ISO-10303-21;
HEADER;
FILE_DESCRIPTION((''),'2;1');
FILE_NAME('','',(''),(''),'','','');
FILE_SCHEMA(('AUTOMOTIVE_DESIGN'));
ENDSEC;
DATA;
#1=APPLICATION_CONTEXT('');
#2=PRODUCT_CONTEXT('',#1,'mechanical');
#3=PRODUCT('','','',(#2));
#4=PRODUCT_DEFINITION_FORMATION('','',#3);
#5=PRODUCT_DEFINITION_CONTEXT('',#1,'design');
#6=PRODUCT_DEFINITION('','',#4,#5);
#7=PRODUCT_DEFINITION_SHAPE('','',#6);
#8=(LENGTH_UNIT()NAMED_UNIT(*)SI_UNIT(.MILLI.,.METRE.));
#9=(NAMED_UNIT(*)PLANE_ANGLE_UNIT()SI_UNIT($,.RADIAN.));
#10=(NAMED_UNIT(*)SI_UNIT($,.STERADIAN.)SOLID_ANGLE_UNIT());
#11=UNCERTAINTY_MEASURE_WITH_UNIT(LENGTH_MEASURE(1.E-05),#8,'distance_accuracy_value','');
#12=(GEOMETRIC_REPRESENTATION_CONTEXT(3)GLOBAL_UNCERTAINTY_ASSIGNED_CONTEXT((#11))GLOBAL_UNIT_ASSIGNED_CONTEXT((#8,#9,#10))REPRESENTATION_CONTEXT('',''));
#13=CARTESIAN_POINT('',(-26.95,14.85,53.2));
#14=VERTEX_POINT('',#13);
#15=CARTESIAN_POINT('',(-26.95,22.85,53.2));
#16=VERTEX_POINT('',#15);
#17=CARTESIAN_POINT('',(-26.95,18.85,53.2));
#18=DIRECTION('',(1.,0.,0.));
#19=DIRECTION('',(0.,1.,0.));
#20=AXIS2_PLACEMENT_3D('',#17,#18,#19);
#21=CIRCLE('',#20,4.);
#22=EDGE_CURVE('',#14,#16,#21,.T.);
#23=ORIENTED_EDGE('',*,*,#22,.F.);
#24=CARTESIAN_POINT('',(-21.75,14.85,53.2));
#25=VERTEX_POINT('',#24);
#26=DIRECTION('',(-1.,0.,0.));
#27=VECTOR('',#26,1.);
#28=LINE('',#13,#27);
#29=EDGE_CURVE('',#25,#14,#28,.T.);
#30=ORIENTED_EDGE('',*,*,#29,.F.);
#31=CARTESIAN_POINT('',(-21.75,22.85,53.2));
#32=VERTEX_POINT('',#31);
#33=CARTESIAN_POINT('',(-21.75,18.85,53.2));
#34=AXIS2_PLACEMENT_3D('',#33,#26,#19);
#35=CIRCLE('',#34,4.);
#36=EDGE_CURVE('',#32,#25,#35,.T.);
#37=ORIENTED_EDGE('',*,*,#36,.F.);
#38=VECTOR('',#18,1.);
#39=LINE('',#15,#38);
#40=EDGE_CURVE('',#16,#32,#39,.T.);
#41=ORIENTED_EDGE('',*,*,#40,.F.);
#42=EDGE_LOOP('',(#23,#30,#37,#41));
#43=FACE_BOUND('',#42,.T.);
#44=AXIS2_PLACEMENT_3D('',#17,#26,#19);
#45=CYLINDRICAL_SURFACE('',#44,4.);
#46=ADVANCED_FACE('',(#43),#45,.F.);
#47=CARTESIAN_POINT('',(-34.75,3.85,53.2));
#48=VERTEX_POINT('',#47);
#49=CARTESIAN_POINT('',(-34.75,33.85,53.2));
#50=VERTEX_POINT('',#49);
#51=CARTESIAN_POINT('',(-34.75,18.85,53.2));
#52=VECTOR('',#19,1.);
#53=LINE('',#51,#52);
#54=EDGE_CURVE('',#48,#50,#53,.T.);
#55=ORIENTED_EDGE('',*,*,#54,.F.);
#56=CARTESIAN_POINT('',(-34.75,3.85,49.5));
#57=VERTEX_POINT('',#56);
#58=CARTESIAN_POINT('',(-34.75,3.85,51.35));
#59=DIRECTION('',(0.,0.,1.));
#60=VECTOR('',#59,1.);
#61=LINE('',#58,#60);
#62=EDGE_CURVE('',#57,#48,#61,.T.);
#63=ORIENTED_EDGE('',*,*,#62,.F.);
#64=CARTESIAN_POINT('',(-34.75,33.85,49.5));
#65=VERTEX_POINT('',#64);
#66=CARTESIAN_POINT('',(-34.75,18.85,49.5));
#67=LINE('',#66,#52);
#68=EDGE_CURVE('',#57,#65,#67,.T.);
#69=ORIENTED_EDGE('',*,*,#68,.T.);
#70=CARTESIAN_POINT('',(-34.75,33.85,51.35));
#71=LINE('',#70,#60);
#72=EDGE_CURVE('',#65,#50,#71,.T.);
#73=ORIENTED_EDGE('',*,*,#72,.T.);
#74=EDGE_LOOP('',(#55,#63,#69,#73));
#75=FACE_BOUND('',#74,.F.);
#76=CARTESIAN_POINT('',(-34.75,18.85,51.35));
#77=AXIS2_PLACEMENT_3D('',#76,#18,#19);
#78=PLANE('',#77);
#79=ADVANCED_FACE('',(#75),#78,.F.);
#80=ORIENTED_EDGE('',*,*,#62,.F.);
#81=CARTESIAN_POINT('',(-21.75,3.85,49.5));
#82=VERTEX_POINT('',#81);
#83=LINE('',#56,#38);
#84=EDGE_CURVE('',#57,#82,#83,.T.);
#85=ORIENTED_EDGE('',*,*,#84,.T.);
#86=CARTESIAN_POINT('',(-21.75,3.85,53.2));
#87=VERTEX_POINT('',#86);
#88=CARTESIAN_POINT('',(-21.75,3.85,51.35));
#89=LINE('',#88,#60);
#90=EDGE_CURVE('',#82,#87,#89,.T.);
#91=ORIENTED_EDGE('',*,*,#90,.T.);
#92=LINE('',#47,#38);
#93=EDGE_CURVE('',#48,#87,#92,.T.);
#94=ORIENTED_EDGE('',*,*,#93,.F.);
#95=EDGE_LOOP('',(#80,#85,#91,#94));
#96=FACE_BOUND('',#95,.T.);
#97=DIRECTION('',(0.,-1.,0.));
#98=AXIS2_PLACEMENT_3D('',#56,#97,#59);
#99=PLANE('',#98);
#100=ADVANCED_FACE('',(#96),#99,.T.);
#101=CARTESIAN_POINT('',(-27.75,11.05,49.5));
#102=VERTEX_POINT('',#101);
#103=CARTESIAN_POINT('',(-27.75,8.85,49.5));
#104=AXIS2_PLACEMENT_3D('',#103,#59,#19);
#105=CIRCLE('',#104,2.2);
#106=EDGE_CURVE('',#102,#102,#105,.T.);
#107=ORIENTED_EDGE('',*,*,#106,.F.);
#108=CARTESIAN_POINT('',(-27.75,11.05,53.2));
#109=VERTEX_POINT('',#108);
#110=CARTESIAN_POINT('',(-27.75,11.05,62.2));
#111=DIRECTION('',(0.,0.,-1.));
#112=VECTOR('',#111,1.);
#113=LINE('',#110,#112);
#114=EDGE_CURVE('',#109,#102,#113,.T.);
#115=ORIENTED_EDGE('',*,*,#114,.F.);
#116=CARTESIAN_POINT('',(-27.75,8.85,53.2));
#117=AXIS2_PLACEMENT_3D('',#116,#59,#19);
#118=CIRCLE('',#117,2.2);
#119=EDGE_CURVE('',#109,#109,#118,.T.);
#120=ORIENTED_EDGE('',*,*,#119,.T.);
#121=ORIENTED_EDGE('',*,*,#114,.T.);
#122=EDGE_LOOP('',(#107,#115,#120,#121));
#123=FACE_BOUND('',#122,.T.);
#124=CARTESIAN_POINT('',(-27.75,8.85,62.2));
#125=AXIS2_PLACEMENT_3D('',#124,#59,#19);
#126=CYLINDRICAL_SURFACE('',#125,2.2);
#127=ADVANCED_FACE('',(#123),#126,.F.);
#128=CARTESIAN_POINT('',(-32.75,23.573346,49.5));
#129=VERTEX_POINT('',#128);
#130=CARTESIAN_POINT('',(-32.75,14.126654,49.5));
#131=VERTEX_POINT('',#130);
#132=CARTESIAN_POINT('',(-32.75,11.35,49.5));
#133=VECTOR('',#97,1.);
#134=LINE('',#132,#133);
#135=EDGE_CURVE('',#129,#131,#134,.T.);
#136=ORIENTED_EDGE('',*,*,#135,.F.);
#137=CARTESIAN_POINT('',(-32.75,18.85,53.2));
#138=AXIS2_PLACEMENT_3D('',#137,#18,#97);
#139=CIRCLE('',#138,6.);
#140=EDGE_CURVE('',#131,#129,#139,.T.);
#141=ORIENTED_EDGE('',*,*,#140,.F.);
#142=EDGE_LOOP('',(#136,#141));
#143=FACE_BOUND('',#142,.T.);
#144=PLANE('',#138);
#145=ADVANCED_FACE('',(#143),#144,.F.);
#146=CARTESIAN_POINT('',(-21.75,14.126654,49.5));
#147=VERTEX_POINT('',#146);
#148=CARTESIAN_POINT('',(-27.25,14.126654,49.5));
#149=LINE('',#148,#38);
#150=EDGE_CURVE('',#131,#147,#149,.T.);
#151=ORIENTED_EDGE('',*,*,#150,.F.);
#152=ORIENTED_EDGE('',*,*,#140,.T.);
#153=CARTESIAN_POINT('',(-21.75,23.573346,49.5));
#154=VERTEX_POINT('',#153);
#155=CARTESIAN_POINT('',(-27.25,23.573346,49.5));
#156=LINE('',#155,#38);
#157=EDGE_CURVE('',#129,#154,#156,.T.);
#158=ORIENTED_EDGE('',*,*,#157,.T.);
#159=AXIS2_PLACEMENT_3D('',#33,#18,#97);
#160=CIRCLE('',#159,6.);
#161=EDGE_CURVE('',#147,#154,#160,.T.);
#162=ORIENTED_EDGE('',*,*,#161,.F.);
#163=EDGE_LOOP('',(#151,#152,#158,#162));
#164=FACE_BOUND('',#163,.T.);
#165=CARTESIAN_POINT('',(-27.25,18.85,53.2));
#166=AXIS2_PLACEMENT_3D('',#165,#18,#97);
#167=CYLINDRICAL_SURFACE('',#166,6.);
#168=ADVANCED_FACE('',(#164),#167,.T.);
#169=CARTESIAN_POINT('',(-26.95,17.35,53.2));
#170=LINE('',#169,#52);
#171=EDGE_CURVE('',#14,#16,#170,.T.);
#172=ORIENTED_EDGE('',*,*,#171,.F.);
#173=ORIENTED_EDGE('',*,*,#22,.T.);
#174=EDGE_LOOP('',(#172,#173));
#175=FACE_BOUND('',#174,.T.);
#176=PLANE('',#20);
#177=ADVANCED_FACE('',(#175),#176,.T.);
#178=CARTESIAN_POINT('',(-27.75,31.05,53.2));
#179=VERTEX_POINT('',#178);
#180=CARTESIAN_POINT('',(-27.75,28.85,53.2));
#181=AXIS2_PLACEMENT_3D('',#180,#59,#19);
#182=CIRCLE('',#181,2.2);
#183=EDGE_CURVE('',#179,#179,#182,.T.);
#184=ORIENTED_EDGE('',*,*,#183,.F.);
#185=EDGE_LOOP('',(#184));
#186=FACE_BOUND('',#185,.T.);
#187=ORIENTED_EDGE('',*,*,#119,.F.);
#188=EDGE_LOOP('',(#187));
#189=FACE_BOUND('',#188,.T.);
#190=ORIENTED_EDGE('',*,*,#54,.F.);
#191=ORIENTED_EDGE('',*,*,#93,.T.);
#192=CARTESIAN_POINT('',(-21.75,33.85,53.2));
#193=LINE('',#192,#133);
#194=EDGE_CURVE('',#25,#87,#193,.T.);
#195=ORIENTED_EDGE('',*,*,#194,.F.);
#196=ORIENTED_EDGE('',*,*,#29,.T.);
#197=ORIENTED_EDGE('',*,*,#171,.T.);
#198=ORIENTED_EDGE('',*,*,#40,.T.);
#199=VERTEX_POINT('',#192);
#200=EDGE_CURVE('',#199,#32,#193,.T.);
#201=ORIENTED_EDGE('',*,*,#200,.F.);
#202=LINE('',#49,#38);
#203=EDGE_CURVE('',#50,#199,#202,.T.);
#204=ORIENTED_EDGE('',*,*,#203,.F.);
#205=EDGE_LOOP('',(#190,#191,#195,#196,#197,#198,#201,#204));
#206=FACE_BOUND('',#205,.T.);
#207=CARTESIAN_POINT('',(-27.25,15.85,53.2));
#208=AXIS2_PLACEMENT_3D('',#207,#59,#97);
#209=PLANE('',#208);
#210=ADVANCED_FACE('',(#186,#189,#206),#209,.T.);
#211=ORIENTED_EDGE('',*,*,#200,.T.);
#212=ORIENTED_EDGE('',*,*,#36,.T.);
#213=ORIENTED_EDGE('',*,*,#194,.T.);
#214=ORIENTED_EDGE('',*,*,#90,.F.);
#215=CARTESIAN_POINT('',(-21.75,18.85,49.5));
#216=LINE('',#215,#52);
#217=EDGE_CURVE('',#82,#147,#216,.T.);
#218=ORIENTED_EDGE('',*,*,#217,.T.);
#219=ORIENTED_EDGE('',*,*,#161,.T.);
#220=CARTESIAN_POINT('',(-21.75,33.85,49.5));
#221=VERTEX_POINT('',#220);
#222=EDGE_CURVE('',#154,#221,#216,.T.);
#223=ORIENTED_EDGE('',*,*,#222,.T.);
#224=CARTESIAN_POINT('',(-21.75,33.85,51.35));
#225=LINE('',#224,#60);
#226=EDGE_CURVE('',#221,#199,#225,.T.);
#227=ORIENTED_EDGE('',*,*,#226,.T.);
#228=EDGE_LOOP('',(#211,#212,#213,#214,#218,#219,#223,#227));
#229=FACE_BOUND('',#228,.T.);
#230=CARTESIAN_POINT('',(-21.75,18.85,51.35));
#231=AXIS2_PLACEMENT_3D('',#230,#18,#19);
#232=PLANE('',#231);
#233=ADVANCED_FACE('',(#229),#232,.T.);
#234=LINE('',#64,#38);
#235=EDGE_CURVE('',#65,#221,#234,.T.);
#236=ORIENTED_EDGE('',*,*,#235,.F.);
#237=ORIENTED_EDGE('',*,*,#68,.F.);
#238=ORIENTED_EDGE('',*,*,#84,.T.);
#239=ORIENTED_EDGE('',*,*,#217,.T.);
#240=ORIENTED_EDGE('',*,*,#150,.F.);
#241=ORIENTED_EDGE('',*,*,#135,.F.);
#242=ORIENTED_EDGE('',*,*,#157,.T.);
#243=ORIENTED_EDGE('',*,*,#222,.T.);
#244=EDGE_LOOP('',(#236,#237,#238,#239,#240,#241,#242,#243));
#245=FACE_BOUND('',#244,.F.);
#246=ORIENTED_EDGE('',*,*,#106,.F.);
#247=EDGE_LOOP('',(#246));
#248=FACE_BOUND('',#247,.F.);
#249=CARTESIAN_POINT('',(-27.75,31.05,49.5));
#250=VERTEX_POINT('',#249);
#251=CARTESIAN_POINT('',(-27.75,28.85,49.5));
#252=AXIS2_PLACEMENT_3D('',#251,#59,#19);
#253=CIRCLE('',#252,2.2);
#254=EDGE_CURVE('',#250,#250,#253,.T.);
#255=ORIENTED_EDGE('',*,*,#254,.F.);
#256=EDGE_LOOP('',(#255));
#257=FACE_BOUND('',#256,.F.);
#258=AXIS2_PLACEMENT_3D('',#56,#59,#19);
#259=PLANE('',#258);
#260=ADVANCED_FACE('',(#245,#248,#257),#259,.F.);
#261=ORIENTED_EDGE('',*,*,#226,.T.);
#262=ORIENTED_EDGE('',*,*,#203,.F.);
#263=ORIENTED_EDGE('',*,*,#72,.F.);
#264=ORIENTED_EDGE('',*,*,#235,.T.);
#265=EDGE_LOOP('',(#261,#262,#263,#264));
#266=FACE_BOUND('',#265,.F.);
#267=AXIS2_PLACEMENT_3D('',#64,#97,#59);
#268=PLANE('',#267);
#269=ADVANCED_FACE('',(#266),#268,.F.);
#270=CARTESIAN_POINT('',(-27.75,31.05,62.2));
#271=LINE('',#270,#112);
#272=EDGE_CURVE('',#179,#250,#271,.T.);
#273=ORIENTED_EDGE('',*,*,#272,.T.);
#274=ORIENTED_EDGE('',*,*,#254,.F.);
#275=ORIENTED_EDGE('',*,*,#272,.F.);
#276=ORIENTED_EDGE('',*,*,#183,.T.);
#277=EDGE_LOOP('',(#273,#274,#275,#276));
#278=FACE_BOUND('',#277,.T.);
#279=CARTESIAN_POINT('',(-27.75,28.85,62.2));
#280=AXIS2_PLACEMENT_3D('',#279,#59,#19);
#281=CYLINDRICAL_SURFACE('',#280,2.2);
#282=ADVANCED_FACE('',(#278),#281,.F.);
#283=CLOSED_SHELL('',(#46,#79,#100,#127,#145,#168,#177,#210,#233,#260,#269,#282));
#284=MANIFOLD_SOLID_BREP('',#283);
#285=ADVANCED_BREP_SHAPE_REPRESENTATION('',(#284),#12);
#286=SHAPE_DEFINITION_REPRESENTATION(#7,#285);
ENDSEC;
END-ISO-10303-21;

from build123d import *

# Parameters (mm, degrees)
CYLINDER073_R          = 2.2
CYLINDER073_DEPTH      = 20
CYLINDER074_R          = 2.2
CYLINDER074_DEPTH      = 20
CYLINDER072_R          = 4
CYLINDER072_DEPTH      = 6.5
CYLINDER071_W          = 6
CYLINDER071_H          = 11
CYLINDER071_ANGLE      = 180
BOX054_W               = 30
BOX054_H               = 3.7
BOX054_DEPTH           = 13
CUT083_ROLL_ANGLE      = 90
CUT083_PLACEMENT_ANGLE = 90


with BuildPart() as zylinder062:
    # Cylinder073 → Cylinder073 (new body)
    with BuildSketch(Plane(origin=(-10, 9, 5), x_dir=(1, 0, 0), z_dir=(0, -1, 0))):
        Circle(CYLINDER073_R)
    extrude(amount=CYLINDER073_DEPTH)


with BuildPart() as zylinder063:
    # Cylinder074 → Cylinder074 (new body)
    with BuildSketch(Plane(origin=(10, 9, 5), x_dir=(1, 0, 0), z_dir=(0, -1, 0))):
        Circle(CYLINDER074_R)
    extrude(amount=CYLINDER074_DEPTH)


with BuildPart() as zylinder061:
    # Cylinder072 → Cylinder072 (new body)
    with BuildSketch(Plane.XY.offset(5.8)):
        Circle(CYLINDER072_R)
    extrude(amount=CYLINDER072_DEPTH)


with BuildPart() as zylinder060:
    # Cylinder071 → Cylinder071 (revolve)
    with BuildSketch(Plane(origin=(0, 0, 0), x_dir=(-1, 0, 0), z_dir=(0, 1, 0))):
        with Locations((3, 5.5)):
            Rectangle(CYLINDER071_W, CYLINDER071_H)
    revolve(axis=Axis((0, 0, 0), (0, 0, 1)), revolution_arc=CYLINDER071_ANGLE)


with BuildPart() as y_drive_mount_top001:
    # Box054 → Box054 (new body)
    with BuildSketch(Plane(origin=(-15, -3.7, -2), x_dir=(1, 0, 0), z_dir=(0, 0, 1))):
        with Locations((15, 1.85)):
            Rectangle(BOX054_W, BOX054_H)
    extrude(amount=BOX054_DEPTH)

    # Fusion041: union Zylinder060
    add(zylinder060.part)

    # Cut081: cut Zylinder061
    add(zylinder061.part, mode=Mode.SUBTRACT)

    # Cut082: cut Zylinder063
    add(zylinder063.part, mode=Mode.SUBTRACT)

    # Cut083: cut Zylinder062
    add(zylinder062.part, mode=Mode.SUBTRACT)


with BuildPart() as y_drive_mount_top001_1:
    # Cut083 roll: moved
    add(y_drive_mount_top001.part.rotate(Axis((0, 0, 0), (1, 0, 0)), CUT083_ROLL_ANGLE))


with BuildPart() as y_drive_mount_top001_2:
    # Cut083 placement: moved
    add(y_drive_mount_top001_1.part.moved(Location((-32.75, 18.85, 53.2))).rotate(Axis((-32.75, 18.85, 53.2), (0, 0, 1)), CUT083_PLACEMENT_ANGLE))


solid = y_drive_mount_top001_2.part
